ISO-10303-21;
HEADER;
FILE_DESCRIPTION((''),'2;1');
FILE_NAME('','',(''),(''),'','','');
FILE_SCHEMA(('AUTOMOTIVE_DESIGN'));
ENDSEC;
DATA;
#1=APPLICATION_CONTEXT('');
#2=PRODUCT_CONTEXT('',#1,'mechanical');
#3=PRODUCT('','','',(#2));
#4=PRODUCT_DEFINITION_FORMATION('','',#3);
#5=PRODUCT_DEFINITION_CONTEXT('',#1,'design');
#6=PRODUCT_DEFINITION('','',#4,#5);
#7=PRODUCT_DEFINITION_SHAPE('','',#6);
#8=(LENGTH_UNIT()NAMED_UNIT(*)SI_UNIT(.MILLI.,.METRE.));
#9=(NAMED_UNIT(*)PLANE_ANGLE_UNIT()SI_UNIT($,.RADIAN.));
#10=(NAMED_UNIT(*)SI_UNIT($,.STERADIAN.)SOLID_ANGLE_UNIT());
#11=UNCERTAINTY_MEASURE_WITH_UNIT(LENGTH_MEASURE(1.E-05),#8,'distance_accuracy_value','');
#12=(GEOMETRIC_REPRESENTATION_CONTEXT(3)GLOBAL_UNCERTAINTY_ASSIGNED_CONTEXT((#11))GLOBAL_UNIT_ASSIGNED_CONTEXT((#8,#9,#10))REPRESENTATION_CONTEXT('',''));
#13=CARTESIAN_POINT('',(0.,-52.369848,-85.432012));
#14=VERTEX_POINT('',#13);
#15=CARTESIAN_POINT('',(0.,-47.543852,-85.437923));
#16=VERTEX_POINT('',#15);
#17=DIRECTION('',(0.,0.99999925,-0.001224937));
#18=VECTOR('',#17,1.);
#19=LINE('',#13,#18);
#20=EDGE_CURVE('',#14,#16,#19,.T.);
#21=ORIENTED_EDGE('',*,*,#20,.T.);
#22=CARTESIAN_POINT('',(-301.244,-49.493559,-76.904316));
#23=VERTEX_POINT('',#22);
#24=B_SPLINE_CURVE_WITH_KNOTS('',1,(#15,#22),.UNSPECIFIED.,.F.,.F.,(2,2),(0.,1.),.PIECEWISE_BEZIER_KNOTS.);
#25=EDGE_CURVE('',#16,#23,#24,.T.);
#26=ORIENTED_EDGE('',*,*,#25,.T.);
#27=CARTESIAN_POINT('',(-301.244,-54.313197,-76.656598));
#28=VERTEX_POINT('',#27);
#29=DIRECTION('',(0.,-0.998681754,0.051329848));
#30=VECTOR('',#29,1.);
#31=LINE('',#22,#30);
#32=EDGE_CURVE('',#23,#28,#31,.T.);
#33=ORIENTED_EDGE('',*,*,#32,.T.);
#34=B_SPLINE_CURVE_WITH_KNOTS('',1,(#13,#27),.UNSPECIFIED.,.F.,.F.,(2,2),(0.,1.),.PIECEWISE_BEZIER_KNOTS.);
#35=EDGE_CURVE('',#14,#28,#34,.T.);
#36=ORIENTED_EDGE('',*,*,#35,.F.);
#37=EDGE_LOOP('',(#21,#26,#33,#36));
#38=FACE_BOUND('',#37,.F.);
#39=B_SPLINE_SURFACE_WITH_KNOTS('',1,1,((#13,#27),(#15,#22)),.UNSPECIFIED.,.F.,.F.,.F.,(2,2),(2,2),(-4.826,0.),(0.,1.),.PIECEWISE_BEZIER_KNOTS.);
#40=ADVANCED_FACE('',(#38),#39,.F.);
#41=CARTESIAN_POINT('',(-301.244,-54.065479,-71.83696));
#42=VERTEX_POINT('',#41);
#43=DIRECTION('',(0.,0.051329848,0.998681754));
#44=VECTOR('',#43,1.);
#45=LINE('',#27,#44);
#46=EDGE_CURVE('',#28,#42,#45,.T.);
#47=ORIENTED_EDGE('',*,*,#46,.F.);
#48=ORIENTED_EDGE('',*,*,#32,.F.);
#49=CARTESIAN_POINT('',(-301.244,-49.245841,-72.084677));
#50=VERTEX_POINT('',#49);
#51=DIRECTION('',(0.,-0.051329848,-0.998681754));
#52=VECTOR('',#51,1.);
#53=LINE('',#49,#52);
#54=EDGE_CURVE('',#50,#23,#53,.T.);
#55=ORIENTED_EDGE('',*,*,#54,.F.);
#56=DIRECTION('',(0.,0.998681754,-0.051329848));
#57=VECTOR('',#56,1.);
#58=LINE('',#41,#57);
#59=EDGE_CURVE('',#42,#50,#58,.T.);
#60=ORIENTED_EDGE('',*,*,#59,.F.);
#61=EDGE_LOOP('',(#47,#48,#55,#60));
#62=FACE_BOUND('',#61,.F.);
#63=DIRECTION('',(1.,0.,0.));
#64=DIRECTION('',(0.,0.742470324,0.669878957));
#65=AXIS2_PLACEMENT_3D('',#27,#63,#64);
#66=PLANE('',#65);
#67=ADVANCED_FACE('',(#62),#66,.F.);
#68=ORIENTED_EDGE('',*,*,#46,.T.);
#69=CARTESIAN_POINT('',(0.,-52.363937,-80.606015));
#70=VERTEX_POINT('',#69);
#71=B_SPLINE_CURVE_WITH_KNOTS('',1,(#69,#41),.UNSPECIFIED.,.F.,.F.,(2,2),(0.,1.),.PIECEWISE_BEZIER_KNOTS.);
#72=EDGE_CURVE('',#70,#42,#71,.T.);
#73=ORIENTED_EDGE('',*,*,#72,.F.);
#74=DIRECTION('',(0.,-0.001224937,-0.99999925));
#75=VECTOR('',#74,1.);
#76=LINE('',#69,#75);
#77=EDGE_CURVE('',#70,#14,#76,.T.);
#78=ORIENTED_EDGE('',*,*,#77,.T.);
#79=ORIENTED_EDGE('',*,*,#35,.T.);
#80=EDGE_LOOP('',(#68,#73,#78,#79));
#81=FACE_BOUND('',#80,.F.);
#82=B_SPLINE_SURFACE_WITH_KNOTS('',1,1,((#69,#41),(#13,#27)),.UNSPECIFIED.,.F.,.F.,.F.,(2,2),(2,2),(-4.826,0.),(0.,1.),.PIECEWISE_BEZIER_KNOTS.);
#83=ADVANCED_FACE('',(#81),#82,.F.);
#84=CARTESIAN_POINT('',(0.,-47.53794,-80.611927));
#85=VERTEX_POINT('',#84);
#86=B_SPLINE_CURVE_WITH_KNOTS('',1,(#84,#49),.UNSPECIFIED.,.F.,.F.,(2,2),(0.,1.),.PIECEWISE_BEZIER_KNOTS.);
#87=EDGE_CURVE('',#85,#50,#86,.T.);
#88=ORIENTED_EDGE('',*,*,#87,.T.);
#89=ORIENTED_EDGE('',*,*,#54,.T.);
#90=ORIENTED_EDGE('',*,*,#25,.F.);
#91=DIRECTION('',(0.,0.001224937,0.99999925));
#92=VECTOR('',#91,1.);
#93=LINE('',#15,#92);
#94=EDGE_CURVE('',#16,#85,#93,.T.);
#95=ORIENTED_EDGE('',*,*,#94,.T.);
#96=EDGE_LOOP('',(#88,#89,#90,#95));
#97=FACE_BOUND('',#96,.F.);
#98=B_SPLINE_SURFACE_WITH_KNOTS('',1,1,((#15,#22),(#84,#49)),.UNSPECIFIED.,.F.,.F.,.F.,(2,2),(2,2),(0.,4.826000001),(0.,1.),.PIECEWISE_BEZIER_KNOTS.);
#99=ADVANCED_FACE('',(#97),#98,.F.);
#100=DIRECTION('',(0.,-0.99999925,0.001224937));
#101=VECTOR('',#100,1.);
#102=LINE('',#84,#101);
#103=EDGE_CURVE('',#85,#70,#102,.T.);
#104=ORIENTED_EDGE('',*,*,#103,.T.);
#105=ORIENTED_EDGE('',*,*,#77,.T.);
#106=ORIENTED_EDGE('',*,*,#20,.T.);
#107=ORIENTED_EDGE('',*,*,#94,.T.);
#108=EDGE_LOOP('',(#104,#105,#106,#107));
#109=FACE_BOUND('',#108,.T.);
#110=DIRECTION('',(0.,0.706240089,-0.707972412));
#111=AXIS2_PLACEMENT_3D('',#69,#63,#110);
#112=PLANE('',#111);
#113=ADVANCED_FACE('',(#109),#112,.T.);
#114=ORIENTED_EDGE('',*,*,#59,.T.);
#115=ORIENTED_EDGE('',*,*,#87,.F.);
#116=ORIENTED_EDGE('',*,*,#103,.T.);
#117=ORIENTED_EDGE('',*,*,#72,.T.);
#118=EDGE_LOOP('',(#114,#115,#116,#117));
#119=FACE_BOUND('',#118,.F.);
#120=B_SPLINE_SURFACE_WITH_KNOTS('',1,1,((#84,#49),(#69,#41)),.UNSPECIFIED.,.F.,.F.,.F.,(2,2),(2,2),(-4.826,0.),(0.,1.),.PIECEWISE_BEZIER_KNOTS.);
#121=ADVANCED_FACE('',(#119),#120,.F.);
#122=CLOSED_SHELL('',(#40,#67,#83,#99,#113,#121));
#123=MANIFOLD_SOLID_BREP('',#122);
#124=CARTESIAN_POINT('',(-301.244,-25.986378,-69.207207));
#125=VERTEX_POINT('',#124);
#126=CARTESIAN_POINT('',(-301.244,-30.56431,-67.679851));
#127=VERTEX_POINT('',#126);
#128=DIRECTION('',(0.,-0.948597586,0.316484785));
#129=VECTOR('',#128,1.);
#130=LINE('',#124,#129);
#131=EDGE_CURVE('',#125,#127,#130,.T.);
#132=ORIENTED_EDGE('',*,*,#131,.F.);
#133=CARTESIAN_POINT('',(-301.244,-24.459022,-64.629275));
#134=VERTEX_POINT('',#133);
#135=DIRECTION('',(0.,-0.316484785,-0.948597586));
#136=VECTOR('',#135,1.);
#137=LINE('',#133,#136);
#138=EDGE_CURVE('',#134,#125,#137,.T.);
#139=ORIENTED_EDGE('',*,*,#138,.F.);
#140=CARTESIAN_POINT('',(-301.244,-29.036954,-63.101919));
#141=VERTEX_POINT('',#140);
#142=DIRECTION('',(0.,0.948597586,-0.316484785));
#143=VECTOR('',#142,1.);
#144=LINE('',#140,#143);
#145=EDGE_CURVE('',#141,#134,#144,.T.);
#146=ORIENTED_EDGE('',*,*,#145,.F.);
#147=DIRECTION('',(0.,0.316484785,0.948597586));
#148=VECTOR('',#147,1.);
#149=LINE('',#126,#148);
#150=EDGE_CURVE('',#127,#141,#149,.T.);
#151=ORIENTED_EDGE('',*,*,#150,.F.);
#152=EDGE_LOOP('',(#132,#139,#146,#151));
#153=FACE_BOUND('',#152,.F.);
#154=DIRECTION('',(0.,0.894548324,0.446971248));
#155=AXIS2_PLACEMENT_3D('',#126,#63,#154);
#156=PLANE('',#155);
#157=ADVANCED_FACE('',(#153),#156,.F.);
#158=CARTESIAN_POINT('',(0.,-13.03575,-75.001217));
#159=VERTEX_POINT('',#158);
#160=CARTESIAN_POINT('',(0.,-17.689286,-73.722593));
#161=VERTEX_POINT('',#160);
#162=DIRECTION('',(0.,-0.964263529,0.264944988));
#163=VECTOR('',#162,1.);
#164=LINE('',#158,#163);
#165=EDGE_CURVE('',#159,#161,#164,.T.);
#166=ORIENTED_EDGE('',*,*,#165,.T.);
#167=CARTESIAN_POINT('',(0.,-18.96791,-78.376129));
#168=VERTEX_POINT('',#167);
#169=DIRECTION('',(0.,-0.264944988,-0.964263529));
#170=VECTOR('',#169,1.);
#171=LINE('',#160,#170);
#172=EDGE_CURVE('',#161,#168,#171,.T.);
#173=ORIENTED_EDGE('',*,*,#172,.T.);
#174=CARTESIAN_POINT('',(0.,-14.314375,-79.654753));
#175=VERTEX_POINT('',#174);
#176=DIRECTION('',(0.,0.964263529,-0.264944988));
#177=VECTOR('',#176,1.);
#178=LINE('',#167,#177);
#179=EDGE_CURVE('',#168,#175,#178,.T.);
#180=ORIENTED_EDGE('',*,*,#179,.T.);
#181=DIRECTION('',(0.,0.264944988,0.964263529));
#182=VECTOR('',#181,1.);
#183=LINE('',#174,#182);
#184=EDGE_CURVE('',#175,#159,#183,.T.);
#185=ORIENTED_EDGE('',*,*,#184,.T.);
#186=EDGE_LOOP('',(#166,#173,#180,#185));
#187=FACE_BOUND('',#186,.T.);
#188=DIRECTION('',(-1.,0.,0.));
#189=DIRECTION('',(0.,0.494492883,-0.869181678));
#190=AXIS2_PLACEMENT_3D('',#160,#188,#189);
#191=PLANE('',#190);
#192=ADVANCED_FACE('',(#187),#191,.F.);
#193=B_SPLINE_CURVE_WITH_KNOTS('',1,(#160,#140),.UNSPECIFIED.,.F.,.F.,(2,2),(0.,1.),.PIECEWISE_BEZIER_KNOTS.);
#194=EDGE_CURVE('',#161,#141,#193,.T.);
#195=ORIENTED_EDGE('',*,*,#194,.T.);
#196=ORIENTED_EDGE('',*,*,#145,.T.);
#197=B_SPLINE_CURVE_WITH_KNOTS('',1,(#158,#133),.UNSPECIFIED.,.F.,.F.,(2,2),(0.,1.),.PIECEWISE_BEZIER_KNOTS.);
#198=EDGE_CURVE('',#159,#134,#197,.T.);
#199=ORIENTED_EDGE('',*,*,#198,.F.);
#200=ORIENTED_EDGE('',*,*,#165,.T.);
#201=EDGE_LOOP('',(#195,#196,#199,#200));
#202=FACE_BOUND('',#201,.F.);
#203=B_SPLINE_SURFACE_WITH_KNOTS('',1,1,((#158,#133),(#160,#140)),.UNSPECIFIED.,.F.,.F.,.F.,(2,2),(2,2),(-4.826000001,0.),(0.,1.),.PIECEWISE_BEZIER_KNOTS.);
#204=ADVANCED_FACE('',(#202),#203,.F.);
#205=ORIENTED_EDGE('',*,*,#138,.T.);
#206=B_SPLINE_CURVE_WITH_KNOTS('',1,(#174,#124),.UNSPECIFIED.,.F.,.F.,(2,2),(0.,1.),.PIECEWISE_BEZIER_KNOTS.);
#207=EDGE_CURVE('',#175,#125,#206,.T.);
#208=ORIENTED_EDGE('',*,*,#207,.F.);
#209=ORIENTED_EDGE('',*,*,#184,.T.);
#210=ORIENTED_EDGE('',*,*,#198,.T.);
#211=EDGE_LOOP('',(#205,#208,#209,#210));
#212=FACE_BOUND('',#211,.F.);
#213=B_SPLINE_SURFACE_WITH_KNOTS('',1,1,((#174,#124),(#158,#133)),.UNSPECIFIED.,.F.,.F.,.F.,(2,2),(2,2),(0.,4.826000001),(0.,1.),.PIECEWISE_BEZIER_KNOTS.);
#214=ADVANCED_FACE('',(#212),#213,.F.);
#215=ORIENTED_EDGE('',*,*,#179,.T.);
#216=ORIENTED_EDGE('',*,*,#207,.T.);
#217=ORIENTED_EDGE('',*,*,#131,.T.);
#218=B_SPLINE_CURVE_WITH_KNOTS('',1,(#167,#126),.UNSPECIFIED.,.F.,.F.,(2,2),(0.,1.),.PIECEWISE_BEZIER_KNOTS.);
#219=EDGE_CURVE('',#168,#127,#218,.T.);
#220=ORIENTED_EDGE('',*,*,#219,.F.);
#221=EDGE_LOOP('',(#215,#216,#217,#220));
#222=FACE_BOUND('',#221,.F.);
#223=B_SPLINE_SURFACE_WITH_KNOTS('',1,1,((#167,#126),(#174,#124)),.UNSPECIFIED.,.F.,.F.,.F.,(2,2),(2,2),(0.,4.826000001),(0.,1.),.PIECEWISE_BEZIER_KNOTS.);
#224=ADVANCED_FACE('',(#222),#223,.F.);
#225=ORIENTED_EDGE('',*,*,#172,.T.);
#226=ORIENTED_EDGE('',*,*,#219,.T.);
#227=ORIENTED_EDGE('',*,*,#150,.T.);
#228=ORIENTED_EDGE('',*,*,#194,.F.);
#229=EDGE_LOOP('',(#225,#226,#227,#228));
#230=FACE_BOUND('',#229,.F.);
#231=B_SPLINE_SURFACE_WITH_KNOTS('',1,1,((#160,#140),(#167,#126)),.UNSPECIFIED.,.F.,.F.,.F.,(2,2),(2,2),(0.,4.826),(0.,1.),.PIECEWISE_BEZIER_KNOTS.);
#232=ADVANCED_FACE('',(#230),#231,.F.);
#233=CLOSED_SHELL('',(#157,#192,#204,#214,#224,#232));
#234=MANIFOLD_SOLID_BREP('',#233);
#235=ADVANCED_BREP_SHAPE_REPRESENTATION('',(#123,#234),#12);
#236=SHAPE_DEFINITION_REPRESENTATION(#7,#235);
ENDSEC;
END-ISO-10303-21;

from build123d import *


with BuildPart() as part:
    # Sketch1_3 → Loft2 section 0
    with BuildSketch(Plane(origin=(0, 0, 0), x_dir=(0, 0, -1), z_dir=(1, 0, 0))):
        Polygon((73.722592843, -17.689285792), (78.376128634, -18.967910303), (79.654753145, -14.314374511), (75.001217353, -13.035750001), align=None)
    # Sketch2_3 → Loft2 section 1
    with BuildSketch(Plane(origin=(-301.244, 0, 0), x_dir=(0, 0, -1), z_dir=(1, 0, 0))):
        Polygon((67.679850957, -30.564309841), (63.101919005, -29.03695427), (64.629274577, -24.459022317), (69.207206529, -25.986377889), align=None)
    loft()


with BuildPart() as body_2:
    # Sketch1_6 → Loft5 section 0
    with BuildSketch(Plane(origin=(0, 0, 0), x_dir=(0, 0, -1), z_dir=(1, 0, 0))):
        Polygon((80.606015408, -52.363936617), (85.432011787, -52.369848162), (85.437923333, -47.543851783), (80.611926953, -47.537940238), align=None)
    # Sketch2_8 → Loft5 section 1
    with BuildSketch(Plane(origin=(-301.244, 0, 0), x_dir=(0, 0, -1), z_dir=(1, 0, 0))):
        Polygon((76.656597753, -54.31319682), (71.836959606, -54.065478974), (72.084677452, -49.245840827), (76.904315599, -49.493558673), align=None)
    loft()


solid = Compound([part.part, body_2.part])
